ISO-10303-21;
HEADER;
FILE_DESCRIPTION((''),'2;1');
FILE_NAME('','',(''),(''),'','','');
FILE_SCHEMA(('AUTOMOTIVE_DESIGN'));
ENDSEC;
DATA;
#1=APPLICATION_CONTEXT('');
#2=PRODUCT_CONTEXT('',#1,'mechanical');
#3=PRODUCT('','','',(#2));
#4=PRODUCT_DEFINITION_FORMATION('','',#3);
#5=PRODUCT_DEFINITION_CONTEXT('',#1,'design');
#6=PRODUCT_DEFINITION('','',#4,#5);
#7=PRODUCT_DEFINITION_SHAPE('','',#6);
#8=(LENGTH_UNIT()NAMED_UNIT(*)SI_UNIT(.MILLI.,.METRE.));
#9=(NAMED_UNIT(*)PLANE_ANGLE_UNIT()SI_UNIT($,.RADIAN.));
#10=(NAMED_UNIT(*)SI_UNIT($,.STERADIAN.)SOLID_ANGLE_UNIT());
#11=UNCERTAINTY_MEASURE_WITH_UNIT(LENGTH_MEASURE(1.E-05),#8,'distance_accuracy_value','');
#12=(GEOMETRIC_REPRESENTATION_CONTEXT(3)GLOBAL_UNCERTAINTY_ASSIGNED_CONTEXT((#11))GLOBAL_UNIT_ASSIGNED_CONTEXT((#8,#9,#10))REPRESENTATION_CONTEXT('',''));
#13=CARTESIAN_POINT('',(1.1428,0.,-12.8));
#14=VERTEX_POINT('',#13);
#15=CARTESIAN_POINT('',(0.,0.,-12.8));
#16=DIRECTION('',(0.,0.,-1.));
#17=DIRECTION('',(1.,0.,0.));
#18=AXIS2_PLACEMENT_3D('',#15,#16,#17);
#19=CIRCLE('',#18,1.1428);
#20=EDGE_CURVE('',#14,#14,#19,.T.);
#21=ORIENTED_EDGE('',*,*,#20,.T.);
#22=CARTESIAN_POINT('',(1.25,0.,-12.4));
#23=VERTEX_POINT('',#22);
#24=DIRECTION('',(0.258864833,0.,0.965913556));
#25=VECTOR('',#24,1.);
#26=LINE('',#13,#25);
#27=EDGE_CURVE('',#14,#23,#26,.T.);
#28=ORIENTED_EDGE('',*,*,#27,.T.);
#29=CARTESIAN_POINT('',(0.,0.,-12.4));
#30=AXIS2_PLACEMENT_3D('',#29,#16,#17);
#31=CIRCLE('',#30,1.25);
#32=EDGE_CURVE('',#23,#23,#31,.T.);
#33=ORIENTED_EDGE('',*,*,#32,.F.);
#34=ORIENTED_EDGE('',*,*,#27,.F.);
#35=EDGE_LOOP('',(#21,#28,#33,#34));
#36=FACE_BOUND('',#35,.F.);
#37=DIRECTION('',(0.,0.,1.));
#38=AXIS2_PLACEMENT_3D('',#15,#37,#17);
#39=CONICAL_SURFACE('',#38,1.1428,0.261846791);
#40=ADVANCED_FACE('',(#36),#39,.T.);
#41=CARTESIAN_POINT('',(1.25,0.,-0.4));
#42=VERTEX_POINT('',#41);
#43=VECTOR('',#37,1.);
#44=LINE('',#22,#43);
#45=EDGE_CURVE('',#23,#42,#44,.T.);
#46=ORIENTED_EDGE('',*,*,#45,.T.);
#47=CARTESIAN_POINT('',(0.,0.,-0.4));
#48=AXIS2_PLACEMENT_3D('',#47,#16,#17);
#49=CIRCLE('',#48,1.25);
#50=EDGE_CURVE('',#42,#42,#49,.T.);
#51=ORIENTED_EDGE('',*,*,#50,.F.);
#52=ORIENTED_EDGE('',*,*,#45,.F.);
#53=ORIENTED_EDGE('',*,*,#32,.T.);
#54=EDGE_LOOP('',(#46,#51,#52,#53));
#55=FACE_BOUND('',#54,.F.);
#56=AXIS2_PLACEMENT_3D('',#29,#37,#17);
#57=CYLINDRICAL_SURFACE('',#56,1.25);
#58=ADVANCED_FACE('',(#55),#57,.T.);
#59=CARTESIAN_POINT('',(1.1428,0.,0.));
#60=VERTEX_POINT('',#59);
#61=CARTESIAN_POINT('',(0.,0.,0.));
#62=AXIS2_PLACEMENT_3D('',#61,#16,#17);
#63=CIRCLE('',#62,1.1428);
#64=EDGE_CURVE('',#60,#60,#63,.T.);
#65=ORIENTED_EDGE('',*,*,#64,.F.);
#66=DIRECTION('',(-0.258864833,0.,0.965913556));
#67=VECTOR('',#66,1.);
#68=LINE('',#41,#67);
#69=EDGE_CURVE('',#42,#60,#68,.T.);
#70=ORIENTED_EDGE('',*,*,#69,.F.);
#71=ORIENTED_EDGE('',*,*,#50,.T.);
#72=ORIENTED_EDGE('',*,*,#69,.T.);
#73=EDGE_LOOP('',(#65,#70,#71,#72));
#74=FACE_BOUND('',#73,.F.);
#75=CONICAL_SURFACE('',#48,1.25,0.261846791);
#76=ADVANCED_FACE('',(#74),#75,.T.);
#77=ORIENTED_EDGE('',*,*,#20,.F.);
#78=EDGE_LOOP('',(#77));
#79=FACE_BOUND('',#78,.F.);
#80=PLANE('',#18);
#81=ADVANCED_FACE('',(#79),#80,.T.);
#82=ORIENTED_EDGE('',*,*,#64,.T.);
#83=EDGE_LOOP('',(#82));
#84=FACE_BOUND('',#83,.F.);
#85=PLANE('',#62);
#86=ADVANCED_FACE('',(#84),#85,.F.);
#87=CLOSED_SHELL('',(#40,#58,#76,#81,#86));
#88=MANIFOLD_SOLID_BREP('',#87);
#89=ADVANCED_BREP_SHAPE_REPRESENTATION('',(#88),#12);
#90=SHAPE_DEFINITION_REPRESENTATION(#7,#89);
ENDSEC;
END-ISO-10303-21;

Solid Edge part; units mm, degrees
sketch "Sketch1" plane through (0, 0, 0) normal (0, -1, 0) x (1, 0, 0)
  line L0 (0, -12.8) -> (1.1428, -12.8)
  line L1 (1.1428, -12.8) -> (1.25, -12.4)
  line L2 (1.25, -12.4) -> (1.25, -0.4)
  line L3 (1.25, -0.4) -> (1.1428, 0)
  line L4 (1.1428, 0) -> (0, 0)
  dimension "D1" = 1.25
  dimension "D2" = 12
  dimension "D3" = 0.4
revolve "RevolvedProtrusion_1" add sketch "Sketch1" angle 360 about axis through (0, 0, 0) along (0, 0, -1)
properties material "Stahl"
